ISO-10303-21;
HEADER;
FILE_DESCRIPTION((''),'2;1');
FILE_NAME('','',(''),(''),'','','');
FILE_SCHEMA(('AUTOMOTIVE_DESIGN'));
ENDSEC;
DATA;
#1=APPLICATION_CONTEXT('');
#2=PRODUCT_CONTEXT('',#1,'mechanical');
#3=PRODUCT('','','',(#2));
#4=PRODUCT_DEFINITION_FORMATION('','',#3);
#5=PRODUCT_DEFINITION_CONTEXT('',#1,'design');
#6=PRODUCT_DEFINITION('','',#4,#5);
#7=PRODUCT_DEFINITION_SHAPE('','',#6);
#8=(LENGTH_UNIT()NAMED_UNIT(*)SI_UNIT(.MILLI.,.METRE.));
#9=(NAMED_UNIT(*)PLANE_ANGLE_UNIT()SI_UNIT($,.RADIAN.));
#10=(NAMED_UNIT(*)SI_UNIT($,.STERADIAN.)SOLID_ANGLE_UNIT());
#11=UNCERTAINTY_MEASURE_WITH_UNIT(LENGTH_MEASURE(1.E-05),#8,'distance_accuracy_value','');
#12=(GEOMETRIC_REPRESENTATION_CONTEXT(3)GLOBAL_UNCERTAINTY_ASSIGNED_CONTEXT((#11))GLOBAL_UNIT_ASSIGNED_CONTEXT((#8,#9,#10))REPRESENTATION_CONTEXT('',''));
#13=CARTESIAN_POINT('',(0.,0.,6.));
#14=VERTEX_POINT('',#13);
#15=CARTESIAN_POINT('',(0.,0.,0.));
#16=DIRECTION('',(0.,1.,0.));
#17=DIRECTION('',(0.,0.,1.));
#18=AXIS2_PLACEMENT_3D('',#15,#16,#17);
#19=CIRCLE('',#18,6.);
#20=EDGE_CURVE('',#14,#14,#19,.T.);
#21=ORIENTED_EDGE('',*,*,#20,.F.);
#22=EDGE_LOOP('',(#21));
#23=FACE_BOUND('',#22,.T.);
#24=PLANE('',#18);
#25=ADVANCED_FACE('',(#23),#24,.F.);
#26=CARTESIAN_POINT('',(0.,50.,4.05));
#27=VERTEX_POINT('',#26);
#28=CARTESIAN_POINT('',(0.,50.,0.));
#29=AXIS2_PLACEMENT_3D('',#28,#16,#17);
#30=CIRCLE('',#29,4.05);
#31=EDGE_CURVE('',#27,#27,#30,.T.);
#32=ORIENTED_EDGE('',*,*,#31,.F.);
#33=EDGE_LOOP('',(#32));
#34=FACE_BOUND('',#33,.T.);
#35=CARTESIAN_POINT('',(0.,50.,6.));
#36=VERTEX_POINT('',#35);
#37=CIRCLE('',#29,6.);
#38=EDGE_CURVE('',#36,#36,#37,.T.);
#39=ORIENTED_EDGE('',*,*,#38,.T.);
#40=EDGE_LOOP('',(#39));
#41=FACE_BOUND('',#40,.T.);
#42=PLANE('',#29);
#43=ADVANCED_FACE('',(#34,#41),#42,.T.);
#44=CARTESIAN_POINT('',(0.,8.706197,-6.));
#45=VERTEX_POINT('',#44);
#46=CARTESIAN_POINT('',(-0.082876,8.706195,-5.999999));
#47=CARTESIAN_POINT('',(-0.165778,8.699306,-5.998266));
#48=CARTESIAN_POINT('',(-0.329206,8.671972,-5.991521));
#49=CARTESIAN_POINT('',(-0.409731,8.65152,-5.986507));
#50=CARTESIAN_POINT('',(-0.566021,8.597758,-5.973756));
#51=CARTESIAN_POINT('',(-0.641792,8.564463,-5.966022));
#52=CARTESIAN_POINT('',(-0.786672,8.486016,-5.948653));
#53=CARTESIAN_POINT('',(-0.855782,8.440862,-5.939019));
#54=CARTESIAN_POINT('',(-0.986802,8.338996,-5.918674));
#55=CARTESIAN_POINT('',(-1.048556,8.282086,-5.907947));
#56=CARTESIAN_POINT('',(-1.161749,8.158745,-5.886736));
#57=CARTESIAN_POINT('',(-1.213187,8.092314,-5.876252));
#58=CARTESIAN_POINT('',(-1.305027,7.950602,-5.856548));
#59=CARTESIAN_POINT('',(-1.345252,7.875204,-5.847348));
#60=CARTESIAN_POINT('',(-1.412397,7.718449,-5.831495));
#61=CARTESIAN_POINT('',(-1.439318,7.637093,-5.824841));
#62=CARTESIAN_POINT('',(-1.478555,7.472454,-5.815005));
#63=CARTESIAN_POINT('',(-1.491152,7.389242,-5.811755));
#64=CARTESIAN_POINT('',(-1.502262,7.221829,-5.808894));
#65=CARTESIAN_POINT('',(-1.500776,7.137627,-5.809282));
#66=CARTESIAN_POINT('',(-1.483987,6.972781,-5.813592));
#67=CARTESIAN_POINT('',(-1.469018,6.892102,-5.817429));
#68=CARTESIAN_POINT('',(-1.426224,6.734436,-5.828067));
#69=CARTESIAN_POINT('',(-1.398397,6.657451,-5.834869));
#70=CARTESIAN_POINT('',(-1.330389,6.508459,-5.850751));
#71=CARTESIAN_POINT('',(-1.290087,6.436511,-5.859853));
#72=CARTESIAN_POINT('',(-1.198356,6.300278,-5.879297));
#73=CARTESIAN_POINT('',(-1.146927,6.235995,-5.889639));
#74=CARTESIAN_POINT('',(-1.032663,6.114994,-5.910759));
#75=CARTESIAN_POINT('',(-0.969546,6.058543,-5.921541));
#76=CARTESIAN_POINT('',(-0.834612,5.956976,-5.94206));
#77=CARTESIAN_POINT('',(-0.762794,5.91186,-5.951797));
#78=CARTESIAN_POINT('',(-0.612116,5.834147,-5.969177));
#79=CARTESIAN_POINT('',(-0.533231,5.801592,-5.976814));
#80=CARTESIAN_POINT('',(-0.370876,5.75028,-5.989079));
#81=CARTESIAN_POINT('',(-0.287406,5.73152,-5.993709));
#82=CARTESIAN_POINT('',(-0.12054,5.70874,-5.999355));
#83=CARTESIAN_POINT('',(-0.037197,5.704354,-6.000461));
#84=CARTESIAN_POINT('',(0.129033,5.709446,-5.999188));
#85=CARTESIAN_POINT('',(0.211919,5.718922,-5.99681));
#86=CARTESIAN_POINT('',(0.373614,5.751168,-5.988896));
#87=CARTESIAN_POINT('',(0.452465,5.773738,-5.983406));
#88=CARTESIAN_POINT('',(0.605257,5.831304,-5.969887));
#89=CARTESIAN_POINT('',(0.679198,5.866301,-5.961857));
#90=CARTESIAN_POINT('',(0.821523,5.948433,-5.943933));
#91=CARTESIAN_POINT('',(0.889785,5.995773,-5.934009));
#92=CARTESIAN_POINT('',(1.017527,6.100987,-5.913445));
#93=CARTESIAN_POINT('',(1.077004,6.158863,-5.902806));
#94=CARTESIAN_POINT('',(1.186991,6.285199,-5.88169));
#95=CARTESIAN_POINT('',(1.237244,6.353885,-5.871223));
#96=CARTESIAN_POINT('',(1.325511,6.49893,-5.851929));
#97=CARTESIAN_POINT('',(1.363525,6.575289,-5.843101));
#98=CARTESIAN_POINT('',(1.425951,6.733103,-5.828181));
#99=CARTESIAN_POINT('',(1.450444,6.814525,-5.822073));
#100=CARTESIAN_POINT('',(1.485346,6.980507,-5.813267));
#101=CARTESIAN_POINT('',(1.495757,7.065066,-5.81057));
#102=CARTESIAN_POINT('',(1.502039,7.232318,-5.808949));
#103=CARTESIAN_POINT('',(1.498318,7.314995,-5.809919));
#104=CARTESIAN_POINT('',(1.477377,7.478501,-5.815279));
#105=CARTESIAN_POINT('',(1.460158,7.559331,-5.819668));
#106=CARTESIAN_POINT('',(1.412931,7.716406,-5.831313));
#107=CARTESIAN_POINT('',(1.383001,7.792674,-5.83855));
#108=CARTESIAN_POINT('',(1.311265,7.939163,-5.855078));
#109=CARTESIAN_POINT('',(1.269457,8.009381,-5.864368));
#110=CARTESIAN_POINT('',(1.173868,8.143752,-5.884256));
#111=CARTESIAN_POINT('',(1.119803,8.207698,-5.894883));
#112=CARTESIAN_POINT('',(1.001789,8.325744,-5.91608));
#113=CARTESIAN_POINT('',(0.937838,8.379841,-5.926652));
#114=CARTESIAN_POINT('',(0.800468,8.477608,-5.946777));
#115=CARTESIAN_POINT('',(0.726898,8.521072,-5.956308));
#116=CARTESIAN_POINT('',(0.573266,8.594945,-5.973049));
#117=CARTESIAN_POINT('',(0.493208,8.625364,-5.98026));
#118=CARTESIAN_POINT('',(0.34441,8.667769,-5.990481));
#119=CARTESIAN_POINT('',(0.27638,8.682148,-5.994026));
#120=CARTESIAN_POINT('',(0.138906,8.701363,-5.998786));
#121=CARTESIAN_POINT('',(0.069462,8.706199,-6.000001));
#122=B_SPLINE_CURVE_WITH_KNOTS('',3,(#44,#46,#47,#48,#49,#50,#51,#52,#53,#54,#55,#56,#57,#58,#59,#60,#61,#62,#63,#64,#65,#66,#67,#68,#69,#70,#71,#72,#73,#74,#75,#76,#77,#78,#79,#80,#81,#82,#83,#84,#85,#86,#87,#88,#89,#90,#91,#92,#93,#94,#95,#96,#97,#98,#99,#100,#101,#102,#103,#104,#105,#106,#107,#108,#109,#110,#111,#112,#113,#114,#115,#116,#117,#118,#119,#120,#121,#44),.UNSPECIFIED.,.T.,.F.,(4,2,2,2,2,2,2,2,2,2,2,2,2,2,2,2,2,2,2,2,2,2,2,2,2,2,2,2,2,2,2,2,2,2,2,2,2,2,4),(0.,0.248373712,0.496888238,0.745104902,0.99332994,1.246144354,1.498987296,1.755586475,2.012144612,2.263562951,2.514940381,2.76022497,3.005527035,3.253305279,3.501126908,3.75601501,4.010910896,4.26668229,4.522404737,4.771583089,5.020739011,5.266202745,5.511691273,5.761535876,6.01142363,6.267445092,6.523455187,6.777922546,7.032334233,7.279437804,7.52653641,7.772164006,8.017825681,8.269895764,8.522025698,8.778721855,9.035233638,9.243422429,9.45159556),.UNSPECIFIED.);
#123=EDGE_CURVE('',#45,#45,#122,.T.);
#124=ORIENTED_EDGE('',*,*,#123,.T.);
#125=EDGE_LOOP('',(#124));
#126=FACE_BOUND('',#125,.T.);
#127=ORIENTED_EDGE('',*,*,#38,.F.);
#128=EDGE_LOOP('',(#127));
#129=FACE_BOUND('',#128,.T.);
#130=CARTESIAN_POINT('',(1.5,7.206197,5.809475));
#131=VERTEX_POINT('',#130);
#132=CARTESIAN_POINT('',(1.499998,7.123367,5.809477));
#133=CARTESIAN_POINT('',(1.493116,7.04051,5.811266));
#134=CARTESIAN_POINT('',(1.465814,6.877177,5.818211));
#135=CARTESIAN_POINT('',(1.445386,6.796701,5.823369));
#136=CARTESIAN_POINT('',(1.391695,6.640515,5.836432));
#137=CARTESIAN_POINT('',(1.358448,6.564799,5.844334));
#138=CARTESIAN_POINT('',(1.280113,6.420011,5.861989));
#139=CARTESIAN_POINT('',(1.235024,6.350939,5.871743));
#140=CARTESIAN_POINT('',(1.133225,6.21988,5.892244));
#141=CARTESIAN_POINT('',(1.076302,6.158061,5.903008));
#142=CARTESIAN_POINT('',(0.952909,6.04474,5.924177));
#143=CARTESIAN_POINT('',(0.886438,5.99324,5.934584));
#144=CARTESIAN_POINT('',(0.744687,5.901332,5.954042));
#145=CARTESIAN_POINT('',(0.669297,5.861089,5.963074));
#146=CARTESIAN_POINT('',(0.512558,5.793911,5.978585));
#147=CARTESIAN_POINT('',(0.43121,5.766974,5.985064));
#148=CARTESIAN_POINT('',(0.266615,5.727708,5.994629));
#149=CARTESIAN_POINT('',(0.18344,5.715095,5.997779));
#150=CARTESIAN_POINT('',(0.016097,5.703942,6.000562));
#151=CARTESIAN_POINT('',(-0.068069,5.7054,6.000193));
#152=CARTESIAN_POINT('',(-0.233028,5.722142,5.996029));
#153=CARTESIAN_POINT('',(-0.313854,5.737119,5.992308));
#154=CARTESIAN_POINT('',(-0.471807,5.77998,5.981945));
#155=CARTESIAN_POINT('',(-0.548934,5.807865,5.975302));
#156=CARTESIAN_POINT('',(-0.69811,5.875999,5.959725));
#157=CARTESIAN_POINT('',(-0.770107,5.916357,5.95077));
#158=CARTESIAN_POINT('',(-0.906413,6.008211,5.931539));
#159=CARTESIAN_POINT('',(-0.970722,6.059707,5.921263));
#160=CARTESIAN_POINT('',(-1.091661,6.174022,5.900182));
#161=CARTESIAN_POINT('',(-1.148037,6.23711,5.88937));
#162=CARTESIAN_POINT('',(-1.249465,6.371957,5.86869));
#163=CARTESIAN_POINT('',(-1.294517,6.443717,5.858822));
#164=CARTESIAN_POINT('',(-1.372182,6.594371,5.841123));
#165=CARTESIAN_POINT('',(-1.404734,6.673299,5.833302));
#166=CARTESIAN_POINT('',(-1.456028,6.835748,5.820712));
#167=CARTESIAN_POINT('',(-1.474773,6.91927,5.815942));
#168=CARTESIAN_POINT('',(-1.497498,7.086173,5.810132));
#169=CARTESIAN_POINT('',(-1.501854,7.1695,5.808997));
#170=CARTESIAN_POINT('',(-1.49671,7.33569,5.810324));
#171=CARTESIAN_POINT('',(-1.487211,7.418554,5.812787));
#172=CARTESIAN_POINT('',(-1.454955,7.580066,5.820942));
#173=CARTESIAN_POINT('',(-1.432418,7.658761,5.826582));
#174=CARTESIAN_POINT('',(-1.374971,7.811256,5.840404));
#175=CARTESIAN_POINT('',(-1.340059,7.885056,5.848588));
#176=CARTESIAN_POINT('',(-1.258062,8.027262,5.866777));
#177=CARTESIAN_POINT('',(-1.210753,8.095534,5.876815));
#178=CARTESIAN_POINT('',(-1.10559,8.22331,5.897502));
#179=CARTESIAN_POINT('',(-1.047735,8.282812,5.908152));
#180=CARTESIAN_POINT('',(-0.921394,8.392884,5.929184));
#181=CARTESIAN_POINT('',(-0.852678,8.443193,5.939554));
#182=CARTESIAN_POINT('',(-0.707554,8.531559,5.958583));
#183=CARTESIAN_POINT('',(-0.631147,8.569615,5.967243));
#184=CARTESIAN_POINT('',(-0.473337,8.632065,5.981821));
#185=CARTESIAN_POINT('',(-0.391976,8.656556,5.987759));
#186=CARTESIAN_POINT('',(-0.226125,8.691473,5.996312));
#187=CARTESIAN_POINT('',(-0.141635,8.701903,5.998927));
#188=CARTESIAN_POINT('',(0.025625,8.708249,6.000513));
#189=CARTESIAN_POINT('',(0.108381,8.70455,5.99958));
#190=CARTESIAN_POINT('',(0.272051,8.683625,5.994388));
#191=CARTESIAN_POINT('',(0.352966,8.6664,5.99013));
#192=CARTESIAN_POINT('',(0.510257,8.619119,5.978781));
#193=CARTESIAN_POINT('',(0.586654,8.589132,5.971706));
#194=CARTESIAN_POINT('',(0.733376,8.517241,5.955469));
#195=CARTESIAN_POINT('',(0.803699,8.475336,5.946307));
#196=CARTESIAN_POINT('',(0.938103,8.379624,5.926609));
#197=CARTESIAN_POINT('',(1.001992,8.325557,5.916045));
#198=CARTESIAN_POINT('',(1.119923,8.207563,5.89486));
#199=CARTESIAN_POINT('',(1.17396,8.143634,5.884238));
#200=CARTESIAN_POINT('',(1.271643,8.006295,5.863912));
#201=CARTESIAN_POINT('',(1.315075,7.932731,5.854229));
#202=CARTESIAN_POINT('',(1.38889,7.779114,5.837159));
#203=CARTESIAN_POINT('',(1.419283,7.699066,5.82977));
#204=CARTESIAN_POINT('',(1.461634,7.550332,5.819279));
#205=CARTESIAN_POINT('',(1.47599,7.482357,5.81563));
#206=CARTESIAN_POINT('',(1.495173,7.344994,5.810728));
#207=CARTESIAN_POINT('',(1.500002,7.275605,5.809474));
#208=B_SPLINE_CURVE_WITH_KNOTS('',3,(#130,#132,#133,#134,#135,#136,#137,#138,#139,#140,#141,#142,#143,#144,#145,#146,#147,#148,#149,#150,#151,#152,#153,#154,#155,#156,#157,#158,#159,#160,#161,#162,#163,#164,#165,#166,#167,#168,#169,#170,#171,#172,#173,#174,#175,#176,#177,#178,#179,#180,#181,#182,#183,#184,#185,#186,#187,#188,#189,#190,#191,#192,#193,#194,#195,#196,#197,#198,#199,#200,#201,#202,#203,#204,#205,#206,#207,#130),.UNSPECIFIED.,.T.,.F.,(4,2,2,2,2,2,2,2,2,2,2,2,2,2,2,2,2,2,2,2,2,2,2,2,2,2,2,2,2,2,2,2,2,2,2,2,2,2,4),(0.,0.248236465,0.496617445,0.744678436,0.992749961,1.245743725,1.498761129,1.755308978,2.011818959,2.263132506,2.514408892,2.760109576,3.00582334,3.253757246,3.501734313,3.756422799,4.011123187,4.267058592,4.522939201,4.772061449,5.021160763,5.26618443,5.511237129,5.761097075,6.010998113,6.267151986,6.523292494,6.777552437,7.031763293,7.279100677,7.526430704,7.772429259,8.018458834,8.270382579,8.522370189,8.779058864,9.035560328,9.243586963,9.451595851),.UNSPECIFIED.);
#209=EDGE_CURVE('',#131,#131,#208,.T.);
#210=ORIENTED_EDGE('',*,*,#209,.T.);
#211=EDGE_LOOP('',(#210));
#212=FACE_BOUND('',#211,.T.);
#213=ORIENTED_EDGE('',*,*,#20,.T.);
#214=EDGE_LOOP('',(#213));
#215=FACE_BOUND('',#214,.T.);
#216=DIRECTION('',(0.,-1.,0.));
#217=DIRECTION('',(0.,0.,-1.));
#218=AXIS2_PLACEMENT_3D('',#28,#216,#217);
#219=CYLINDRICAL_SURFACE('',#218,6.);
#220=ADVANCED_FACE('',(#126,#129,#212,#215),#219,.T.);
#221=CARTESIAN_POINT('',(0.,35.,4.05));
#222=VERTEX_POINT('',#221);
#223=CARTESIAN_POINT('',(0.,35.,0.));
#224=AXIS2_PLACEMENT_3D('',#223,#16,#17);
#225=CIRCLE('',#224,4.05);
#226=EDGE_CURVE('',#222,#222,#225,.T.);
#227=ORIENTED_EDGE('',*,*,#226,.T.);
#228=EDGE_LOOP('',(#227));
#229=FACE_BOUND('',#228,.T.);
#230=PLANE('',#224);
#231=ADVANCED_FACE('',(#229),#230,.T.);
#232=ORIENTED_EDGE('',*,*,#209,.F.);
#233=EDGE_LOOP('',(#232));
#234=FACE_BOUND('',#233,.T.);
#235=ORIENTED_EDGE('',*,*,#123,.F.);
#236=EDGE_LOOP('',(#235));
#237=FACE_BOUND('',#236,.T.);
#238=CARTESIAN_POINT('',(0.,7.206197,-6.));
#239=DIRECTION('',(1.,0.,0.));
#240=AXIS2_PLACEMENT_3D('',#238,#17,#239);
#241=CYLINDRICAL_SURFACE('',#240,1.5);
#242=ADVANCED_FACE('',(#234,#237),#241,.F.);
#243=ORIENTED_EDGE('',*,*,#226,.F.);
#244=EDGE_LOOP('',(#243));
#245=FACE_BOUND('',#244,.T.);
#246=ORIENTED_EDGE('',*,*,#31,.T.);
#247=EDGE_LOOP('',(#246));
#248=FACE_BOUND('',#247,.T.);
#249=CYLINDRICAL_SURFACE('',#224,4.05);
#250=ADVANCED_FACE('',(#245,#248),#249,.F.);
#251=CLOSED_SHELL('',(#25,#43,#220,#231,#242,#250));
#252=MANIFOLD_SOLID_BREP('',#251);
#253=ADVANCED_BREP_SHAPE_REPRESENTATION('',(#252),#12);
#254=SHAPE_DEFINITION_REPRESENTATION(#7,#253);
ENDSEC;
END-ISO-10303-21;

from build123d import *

# Parameters (mm, degrees)
SKETCH1_R               = 6
BOSS_EXTRUDE1_DEPTH     = 50
CUT_EXTRUDE2_START      = 50
SKETCH1_4_R             = 4.05
CUT_EXTRUDE2_DEPTH      = 15
SKETCH3_R               = 1.5
CUT_EXTRUDE3_DEPTH      = 7
CUT_EXTRUDE3_DEPTH_BACK = 7


with BuildPart() as part:
    # Sketch1 → Boss-Extrude1 (new body)
    with BuildSketch(Plane(origin=(0, 0, 0), x_dir=(1, 0, 0), z_dir=(0, 1, 0))):
        Circle(SKETCH1_R)
    extrude(amount=BOSS_EXTRUDE1_DEPTH)

    # Sketch1<4> → Cut-Extrude2 (cut)
    with BuildSketch(Plane(origin=(0, 0, 0), x_dir=(1, 0, 0), z_dir=(0, 1, 0)).offset(CUT_EXTRUDE2_START)):
        Circle(SKETCH1_4_R)
    extrude(amount=-CUT_EXTRUDE2_DEPTH, mode=Mode.SUBTRACT)

    # Sketch3 → Cut-Extrude3 (cut, two sides)
    with BuildSketch(Plane.XY) as cut_extrude3_sk:
        with Locations((0, 7.20619719)):
            Circle(SKETCH3_R)
    extrude(amount=CUT_EXTRUDE3_DEPTH, mode=Mode.SUBTRACT)
    extrude(cut_extrude3_sk.sketch, amount=-CUT_EXTRUDE3_DEPTH_BACK, mode=Mode.SUBTRACT)


solid = part.part
